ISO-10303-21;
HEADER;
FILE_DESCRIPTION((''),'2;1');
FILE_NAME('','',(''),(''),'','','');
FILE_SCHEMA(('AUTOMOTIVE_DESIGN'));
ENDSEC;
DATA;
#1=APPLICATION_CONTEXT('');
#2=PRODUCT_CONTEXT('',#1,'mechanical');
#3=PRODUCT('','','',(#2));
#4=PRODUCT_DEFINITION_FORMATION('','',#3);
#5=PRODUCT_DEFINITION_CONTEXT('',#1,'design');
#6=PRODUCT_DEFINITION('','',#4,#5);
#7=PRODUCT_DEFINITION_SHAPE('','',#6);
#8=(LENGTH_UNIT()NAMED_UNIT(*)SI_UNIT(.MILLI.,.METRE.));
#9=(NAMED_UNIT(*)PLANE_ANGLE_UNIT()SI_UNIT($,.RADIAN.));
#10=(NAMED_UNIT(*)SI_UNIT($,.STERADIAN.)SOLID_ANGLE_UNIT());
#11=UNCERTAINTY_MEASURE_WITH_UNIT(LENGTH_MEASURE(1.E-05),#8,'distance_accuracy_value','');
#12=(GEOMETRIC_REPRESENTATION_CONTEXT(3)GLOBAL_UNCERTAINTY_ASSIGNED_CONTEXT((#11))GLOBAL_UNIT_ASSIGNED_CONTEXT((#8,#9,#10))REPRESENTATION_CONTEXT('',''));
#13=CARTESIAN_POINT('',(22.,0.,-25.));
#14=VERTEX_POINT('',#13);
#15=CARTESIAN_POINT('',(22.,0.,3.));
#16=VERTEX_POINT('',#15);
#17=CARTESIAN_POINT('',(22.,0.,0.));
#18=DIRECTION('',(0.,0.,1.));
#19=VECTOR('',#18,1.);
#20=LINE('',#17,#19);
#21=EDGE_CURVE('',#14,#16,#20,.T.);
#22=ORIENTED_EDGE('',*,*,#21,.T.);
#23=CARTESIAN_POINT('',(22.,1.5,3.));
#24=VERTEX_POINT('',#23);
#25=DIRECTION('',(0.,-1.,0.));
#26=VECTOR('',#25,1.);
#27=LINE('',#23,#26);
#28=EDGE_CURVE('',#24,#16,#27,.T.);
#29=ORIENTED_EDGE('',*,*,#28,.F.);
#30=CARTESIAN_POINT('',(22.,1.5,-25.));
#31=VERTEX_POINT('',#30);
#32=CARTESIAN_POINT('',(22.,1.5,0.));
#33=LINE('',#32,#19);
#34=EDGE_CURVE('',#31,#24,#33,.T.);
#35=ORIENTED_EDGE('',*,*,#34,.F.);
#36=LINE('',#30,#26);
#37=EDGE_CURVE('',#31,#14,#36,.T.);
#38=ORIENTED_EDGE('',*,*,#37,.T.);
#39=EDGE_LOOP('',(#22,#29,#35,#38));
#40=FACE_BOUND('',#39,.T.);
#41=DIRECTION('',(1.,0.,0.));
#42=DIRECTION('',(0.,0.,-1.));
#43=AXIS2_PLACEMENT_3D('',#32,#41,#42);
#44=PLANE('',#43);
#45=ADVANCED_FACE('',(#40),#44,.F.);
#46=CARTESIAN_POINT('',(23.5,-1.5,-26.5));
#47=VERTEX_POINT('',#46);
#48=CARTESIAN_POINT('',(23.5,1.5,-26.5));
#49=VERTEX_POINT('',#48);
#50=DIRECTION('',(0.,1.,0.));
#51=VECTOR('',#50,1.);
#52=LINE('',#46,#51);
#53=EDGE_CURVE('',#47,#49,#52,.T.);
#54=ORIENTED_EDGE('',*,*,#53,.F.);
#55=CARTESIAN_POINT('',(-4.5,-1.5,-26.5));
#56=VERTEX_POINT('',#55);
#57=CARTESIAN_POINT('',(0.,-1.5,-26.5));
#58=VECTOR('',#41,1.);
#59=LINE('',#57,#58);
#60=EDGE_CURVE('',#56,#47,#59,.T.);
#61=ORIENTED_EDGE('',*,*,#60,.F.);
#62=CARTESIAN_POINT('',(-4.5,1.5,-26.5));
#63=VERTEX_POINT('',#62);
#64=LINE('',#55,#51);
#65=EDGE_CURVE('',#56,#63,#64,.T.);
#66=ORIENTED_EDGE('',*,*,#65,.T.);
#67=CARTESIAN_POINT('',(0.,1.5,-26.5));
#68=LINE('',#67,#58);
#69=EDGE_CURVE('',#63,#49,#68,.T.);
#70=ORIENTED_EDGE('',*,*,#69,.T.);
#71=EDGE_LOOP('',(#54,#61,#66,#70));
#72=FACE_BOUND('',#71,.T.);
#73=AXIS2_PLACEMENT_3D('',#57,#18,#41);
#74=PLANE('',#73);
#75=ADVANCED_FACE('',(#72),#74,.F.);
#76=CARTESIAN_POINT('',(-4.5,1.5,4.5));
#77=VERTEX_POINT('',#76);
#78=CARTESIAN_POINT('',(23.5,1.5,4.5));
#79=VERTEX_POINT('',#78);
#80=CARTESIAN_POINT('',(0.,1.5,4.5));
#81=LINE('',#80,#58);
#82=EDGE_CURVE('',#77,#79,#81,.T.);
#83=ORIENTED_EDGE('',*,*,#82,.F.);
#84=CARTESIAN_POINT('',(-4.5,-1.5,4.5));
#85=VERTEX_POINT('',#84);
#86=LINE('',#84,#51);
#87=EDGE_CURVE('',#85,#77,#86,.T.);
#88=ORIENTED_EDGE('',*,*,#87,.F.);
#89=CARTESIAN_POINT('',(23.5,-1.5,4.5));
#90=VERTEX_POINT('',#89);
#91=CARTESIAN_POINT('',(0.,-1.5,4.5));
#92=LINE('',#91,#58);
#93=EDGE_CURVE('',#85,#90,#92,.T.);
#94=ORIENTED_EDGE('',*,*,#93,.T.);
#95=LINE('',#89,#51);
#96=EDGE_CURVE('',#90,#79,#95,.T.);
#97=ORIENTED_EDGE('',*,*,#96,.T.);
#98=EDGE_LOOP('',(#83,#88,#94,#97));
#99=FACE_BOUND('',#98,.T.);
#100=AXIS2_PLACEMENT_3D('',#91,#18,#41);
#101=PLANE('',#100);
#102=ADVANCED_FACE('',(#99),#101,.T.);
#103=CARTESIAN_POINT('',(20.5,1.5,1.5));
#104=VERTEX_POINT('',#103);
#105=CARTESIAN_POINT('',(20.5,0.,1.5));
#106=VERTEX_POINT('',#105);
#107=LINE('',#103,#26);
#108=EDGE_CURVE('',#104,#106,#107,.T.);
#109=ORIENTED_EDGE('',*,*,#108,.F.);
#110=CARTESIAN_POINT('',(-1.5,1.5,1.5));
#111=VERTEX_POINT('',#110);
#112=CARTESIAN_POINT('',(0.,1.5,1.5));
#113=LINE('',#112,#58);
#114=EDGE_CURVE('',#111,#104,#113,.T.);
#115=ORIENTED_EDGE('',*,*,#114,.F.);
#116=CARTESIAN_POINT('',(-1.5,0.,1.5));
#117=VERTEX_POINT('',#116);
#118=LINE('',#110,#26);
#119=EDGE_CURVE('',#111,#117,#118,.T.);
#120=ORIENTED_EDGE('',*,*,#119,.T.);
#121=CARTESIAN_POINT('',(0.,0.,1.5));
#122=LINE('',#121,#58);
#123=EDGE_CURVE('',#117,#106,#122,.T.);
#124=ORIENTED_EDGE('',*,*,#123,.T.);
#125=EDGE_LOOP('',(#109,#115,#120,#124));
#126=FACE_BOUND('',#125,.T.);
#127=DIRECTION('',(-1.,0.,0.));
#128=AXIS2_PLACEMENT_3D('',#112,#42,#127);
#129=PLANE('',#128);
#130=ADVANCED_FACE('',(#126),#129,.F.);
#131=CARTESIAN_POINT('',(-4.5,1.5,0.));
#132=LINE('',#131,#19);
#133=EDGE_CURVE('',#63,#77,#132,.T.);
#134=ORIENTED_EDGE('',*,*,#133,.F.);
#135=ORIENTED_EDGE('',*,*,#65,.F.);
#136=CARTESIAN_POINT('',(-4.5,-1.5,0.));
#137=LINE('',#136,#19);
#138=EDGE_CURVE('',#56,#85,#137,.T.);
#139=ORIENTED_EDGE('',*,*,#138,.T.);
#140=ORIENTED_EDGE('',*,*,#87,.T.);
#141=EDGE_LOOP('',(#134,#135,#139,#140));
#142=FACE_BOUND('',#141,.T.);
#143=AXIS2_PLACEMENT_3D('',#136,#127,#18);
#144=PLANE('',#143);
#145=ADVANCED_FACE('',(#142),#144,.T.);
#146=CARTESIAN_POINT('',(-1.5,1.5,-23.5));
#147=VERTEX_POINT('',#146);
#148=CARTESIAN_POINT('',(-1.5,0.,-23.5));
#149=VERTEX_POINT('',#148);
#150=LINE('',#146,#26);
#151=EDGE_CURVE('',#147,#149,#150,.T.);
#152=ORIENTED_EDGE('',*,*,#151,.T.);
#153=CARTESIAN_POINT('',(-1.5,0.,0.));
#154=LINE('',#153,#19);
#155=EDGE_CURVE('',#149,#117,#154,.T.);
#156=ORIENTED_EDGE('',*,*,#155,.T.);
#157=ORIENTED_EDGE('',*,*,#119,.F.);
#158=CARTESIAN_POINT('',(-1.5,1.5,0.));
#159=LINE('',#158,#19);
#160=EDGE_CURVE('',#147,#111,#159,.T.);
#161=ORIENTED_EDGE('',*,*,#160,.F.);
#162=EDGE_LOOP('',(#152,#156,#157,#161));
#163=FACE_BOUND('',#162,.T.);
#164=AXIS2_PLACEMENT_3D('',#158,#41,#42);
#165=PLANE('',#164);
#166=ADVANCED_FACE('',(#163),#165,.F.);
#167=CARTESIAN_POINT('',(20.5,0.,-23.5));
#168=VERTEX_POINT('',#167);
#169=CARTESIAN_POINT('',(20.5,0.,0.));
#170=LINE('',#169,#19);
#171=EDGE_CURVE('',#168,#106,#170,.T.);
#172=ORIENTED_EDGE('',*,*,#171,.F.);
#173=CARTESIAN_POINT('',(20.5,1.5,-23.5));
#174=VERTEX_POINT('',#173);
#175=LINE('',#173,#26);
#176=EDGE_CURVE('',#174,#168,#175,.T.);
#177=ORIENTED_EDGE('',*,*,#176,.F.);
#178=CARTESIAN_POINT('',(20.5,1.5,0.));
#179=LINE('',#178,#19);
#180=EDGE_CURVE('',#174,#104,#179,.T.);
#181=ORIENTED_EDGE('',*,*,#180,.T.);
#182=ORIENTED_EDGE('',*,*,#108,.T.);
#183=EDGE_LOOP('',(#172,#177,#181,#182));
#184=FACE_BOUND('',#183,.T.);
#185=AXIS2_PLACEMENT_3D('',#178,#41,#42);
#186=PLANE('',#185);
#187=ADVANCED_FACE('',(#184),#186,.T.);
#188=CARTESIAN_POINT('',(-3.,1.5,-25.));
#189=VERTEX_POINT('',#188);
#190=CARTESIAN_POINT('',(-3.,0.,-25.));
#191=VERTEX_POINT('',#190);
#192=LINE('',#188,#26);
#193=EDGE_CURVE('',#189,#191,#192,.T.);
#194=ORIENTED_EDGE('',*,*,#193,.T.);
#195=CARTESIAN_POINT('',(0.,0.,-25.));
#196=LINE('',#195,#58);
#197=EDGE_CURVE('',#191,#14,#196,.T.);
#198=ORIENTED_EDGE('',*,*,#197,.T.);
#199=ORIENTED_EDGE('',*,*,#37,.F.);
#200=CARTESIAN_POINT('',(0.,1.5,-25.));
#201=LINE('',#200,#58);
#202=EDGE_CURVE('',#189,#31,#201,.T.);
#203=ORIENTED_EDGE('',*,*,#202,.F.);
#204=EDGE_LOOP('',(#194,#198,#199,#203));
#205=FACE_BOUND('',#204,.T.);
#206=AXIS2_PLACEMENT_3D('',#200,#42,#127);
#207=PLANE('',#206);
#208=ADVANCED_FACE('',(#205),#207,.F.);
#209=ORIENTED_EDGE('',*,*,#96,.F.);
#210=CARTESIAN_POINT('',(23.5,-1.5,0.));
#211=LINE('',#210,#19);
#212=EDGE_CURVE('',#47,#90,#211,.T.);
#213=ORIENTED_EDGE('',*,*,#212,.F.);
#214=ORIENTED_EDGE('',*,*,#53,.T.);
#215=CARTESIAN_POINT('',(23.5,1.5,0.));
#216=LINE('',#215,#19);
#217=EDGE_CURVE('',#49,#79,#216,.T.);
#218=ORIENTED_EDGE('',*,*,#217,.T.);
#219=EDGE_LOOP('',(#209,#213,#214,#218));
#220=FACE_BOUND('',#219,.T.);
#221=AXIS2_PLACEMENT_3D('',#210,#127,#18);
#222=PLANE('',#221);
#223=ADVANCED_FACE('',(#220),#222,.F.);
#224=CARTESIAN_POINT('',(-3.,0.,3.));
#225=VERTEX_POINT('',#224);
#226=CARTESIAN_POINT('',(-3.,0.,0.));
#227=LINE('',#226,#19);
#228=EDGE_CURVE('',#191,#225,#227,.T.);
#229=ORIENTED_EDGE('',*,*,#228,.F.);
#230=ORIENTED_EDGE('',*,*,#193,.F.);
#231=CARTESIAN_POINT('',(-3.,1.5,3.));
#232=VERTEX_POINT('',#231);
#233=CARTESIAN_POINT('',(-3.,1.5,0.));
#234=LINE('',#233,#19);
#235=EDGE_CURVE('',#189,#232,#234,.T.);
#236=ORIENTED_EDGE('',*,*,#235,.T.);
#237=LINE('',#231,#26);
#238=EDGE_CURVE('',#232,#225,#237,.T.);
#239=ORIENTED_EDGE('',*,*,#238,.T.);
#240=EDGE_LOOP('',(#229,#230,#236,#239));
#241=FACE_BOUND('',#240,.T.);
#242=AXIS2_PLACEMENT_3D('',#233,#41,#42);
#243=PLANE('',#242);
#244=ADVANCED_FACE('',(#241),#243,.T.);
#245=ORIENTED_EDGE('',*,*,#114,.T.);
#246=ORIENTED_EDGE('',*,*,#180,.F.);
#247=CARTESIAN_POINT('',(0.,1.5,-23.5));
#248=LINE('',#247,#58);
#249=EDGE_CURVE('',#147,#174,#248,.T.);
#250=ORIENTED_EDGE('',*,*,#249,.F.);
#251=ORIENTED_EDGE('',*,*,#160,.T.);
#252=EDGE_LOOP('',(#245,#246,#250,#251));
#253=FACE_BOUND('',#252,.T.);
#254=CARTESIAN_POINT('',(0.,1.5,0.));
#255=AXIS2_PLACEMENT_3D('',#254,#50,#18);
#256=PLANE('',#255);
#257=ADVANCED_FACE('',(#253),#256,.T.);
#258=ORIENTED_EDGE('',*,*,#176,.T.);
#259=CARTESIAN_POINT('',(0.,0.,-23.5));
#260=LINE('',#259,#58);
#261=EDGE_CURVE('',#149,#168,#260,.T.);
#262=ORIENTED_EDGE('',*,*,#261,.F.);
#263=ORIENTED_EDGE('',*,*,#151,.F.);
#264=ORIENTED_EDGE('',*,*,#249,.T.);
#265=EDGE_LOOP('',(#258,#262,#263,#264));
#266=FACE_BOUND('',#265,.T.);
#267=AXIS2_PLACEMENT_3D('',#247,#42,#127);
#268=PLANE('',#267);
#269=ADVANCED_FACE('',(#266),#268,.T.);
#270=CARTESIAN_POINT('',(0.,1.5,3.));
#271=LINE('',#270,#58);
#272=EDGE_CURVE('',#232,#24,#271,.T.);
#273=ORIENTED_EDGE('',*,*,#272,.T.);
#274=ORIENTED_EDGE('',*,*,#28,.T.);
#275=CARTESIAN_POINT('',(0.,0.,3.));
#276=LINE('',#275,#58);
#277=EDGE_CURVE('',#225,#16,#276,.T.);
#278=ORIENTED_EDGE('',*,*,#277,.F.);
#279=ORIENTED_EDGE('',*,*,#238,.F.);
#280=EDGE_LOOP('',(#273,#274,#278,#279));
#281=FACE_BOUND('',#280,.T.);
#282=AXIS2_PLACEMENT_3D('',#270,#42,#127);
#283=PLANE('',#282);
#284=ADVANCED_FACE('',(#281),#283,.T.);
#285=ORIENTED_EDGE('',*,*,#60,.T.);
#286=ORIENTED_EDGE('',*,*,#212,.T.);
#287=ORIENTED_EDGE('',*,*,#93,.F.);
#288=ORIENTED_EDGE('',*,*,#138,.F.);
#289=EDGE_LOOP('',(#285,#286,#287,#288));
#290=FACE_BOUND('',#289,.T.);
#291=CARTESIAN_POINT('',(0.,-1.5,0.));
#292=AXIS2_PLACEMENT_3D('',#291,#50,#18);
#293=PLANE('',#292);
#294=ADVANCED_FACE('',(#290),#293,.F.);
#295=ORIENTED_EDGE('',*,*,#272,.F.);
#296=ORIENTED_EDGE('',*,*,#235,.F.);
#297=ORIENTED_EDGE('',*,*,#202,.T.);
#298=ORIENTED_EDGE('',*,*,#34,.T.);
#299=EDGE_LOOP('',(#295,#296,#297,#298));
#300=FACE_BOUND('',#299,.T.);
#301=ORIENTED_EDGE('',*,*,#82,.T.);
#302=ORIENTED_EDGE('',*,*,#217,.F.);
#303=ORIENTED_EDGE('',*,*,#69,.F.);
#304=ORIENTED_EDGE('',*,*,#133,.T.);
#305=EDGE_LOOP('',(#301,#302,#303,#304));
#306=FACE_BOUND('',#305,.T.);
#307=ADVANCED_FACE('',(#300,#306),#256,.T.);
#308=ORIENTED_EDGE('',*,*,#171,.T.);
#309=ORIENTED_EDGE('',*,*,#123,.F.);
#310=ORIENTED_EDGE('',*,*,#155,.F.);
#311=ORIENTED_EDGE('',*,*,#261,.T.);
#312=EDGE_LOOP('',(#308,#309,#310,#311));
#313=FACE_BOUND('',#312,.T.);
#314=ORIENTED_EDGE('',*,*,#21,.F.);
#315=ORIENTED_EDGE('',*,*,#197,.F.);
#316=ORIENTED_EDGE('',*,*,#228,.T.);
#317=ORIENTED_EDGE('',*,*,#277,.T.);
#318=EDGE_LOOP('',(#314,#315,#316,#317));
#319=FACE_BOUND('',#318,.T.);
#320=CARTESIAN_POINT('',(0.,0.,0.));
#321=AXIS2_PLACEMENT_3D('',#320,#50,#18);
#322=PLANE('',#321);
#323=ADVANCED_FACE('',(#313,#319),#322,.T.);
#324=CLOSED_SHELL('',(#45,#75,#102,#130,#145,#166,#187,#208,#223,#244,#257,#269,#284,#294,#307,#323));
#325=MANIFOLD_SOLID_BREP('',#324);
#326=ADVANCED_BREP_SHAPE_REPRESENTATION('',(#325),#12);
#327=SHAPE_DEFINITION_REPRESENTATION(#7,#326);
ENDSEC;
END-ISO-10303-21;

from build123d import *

# Parameters (mm, degrees)
SKETCH1_TURRETBODYPARENT_11_W   = 28
SKETCH1_TURRETBODYPARENT_11_H   = 31
BOSS_EXTRUDE1_DEPTH             = 1.5
SKETCH1_TURRETBODYPARENT_13_W   = 28
SKETCH1_TURRETBODYPARENT_13_H   = 31
SKETCH1_TURRETBODYPARENT_13_W_2 = 25
SKETCH1_TURRETBODYPARENT_13_H_2 = 28
SKETCH1_TURRETBODYPARENT_13_W_3 = 22
SKETCH1_TURRETBODYPARENT_13_H_3 = 25
BOSS_EXTRUDE2_DEPTH             = 1.5


with BuildPart() as part:
    # Sketch1-turretBodyParent<11> → Boss-Extrude1 (new body)
    with BuildSketch(Plane(origin=(0, 0, 0), x_dir=(1, 0, 0), z_dir=(0, 1, 0))):
        with Locations((9.5, 11)):
            Rectangle(SKETCH1_TURRETBODYPARENT_11_W, SKETCH1_TURRETBODYPARENT_11_H)
    extrude(amount=-BOSS_EXTRUDE1_DEPTH)

    # Sketch1-turretBodyParent<13> → Boss-Extrude2 (add)
    # profile 1 of 2: a face of its own
    with BuildSketch(Plane(origin=(0, 0, 0), x_dir=(1, 0, 0), z_dir=(0, 1, 0))):
        with Locations((9.5, 11)):
            Rectangle(SKETCH1_TURRETBODYPARENT_13_W, SKETCH1_TURRETBODYPARENT_13_H)
        with Locations((9.5, 11)):
            Rectangle(SKETCH1_TURRETBODYPARENT_13_W_2, SKETCH1_TURRETBODYPARENT_13_H_2, mode=Mode.SUBTRACT)
    # profile 2 of 2: a face of its own
    with BuildSketch(Plane(origin=(0, 0, 0), x_dir=(1, 0, 0), z_dir=(0, 1, 0))):
        with Locations((9.5, 11)):
            Rectangle(SKETCH1_TURRETBODYPARENT_13_W_3, SKETCH1_TURRETBODYPARENT_13_H_3)
    extrude(amount=BOSS_EXTRUDE2_DEPTH)


solid = part.part
